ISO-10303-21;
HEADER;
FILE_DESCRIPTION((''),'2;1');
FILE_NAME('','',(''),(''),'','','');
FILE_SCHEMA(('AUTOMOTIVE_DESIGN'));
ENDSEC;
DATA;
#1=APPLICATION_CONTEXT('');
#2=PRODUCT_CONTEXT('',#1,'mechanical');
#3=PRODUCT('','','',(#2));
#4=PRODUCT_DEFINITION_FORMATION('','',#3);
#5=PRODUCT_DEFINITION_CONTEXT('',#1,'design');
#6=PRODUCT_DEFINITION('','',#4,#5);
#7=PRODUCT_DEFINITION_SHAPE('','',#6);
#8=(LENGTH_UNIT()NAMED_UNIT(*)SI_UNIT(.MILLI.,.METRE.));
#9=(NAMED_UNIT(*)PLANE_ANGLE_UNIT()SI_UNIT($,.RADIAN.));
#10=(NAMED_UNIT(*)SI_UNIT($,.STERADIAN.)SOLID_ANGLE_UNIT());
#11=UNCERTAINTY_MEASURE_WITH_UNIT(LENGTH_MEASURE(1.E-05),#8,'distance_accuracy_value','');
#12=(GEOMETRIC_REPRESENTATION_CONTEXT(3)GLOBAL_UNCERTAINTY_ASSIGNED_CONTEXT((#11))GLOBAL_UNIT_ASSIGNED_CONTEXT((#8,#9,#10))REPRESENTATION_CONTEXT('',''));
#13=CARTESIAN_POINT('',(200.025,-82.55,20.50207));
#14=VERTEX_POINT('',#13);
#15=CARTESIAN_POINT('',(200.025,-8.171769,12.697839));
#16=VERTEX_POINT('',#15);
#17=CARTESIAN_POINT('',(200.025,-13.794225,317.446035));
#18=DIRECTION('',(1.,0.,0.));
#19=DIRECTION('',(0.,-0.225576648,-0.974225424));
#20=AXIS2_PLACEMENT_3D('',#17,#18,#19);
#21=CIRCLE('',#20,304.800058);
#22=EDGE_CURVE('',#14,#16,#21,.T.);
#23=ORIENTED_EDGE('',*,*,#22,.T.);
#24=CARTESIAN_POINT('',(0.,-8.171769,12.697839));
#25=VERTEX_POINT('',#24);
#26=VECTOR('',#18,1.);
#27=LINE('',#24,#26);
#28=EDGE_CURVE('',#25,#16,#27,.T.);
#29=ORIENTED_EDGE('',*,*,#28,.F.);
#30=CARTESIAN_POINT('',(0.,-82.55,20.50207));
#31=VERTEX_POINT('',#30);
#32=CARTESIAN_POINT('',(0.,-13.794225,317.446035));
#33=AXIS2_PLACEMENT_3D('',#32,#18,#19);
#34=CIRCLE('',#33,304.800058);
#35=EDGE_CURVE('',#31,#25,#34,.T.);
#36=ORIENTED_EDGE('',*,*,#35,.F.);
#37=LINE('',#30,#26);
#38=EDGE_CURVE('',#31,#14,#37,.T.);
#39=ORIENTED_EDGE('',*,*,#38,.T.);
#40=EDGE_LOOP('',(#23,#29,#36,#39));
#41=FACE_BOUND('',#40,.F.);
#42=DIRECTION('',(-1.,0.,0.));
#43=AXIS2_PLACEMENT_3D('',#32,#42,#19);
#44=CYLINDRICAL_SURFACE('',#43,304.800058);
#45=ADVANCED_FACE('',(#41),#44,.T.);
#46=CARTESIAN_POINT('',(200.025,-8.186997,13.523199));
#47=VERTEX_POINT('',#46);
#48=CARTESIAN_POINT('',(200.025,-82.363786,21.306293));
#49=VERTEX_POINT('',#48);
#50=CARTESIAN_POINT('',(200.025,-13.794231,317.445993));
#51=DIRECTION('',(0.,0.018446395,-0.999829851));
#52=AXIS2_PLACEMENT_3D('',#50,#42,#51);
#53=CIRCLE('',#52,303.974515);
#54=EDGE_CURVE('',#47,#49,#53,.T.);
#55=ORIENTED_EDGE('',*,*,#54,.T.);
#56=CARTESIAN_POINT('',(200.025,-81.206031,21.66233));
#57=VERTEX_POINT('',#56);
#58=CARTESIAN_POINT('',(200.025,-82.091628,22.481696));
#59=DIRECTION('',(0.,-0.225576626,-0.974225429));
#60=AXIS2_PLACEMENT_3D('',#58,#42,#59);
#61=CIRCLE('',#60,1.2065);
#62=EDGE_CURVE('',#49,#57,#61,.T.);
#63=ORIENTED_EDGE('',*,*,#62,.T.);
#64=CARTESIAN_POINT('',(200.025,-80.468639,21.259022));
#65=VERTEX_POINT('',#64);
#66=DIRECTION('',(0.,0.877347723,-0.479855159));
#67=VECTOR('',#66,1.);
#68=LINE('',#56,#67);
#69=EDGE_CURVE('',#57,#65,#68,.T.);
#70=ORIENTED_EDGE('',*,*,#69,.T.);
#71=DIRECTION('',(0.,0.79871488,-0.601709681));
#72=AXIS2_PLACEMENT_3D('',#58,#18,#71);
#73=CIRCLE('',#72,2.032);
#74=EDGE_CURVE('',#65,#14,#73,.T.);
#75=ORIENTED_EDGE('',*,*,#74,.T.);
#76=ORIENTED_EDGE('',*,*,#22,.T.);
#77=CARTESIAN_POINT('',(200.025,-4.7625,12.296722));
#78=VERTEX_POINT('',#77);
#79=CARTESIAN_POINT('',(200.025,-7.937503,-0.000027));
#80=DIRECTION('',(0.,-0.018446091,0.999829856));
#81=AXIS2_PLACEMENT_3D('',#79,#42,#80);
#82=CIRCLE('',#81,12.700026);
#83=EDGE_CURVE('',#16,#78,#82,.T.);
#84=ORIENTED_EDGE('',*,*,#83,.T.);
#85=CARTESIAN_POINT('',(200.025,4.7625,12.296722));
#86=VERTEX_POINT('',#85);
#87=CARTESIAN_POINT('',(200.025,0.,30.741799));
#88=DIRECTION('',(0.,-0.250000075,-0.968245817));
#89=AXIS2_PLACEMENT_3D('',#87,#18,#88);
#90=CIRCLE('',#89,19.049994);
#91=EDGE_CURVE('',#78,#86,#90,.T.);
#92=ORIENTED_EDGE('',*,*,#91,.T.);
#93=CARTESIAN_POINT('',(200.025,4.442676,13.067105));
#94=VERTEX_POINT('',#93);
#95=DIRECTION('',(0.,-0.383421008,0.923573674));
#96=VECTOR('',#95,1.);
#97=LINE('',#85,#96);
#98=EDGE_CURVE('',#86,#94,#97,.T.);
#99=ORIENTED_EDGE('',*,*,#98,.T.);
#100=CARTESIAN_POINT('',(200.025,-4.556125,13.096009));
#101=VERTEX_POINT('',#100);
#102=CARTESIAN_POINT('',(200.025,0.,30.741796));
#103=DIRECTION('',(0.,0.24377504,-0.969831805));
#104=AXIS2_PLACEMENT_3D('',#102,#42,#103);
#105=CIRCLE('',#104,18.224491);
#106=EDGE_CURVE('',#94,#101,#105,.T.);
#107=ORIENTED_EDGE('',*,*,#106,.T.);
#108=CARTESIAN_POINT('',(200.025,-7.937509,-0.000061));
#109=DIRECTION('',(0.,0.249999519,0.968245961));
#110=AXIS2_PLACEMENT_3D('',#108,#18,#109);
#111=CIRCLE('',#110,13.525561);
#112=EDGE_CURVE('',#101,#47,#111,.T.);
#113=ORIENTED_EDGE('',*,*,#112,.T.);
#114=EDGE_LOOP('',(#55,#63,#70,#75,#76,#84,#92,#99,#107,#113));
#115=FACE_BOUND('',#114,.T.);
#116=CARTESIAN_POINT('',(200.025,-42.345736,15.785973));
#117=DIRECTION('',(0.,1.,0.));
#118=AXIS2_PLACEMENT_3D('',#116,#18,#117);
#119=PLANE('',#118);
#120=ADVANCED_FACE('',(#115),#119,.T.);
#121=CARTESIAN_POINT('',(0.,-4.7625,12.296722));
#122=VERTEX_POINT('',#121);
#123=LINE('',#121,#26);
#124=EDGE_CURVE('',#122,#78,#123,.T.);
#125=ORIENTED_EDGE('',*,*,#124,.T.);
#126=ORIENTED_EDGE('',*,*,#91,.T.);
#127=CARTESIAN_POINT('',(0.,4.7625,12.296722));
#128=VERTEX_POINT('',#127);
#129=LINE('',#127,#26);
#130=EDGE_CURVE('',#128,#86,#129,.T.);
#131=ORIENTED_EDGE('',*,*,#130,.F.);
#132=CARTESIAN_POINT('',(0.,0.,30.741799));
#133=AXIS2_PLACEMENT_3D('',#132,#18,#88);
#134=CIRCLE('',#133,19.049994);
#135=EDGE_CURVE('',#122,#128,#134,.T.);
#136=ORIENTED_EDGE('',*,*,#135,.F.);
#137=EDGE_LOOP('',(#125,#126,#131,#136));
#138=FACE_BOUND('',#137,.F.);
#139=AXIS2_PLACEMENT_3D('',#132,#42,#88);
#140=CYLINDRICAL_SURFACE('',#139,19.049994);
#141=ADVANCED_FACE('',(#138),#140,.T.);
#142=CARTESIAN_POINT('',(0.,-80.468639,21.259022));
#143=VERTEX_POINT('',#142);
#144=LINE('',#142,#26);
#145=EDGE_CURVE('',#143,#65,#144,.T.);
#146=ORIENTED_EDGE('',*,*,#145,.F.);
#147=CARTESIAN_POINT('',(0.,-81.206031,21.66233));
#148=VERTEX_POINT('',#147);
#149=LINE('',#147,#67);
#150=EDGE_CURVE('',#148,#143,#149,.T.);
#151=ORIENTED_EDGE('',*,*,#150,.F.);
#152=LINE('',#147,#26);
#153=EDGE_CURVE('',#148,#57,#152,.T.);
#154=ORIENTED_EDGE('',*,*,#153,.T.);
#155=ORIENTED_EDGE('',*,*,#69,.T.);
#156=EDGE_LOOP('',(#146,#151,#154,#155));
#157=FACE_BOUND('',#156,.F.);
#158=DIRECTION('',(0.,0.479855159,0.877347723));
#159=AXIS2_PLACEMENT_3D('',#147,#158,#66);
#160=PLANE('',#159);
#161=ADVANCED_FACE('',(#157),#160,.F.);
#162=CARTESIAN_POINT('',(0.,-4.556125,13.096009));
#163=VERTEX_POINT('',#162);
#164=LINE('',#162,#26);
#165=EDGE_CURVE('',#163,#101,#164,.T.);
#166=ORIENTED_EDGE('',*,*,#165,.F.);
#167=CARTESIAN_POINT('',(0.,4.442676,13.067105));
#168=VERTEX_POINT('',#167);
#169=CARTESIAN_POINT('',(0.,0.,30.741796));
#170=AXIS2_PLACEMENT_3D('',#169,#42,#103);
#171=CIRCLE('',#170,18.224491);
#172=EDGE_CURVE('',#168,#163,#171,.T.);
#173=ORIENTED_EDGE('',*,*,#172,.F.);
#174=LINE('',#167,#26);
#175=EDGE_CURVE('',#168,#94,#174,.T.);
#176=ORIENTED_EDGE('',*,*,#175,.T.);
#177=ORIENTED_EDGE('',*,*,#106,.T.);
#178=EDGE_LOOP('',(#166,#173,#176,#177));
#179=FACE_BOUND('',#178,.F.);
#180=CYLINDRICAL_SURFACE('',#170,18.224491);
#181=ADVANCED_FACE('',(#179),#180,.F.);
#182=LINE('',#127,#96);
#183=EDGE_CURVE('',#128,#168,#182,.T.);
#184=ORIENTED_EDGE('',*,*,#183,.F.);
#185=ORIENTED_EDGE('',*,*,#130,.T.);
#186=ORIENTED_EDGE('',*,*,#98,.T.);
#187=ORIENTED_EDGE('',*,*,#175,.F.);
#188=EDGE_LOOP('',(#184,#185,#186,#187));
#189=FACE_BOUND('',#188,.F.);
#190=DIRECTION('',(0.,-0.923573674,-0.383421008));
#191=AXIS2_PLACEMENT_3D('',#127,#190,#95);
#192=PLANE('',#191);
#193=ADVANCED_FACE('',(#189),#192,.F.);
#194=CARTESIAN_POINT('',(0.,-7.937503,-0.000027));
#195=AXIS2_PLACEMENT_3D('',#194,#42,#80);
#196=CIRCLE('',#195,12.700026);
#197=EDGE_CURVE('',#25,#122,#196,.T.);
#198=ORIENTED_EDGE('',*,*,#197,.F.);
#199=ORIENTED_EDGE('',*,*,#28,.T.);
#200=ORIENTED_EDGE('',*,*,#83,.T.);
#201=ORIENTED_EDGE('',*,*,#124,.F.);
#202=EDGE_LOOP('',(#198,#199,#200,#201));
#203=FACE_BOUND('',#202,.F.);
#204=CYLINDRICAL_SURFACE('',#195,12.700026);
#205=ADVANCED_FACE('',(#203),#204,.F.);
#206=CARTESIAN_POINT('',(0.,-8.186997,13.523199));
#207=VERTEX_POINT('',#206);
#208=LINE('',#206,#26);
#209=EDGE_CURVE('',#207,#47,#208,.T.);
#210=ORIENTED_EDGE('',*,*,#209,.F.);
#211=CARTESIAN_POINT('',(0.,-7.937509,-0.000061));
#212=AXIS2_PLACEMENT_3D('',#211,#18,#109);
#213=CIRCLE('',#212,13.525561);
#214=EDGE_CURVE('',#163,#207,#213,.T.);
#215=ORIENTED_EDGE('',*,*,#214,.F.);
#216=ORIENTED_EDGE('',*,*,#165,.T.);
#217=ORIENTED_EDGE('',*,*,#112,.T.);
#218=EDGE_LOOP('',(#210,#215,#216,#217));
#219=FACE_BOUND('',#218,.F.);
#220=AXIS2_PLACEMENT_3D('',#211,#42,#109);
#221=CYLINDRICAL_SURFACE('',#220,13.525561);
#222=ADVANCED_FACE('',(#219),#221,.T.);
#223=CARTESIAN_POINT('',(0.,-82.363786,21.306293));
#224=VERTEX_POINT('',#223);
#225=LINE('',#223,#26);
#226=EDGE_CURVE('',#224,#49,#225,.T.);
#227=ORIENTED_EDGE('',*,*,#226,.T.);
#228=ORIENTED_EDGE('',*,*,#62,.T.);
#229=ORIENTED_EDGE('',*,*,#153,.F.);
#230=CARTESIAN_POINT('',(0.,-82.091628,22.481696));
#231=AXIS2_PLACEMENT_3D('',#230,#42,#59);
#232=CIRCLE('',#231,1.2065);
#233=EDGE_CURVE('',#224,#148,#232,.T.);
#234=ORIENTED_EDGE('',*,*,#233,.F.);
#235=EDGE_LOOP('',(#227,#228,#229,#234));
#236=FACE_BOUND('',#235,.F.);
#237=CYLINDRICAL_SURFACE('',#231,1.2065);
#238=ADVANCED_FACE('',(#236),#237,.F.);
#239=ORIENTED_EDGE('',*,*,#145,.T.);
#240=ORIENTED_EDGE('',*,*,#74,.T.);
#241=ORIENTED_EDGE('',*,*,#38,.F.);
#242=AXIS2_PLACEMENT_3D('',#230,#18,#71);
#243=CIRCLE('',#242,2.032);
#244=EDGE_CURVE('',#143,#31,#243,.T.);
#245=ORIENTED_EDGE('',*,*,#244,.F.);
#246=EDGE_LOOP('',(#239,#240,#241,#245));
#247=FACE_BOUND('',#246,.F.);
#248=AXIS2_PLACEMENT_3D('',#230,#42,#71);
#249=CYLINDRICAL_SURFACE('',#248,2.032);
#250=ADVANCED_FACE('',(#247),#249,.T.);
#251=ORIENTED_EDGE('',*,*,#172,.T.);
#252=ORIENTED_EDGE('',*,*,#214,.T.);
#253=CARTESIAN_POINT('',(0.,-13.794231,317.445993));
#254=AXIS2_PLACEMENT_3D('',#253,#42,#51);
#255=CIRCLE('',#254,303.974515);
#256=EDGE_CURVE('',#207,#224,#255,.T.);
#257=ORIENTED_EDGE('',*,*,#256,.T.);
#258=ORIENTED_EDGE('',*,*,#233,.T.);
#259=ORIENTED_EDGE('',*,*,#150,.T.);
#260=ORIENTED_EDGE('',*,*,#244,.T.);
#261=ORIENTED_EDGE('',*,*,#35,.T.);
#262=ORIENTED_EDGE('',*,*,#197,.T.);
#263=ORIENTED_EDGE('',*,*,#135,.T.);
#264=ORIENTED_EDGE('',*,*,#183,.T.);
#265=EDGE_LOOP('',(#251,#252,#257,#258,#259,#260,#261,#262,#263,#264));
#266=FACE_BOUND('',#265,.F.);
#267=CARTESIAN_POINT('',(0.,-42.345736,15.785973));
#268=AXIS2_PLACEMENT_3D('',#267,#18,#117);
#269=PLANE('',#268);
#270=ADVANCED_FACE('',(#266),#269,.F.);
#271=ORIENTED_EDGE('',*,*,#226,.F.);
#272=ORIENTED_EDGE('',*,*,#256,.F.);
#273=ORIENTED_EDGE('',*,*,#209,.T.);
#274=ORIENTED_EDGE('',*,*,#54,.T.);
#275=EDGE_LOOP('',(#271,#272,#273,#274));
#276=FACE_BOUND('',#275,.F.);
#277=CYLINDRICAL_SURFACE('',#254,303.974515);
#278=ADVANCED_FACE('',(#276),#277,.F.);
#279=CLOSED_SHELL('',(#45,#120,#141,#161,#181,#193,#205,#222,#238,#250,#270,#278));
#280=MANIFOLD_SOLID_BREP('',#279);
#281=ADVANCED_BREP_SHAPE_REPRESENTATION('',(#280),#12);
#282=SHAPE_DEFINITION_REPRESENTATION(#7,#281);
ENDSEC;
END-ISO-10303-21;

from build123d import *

# Parameters (mm, degrees)
F1_DEPTH = 200.025


with BuildPart() as f1:
    # F0 (on Right) → F1 (new body)
    with BuildSketch(Plane.YZ):
        with BuildLine():
            ThreePointArc((-8.171769, 12.697839), (-6.45352, 12.613001), (-4.7625, 12.296722))
            ThreePointArc((-4.7625, 12.296722), (0, 11.691805), (4.7625, 12.296722))
            Line((4.7625, 12.296722), (4.442676, 13.067105))
            ThreePointArc((4.442676, 13.067105), (-0.058537, 12.517399), (-4.556125, 13.096009))
            ThreePointArc((-4.556125, 13.096009), (-6.357061, 13.432846), (-8.186997, 13.523199))
            ThreePointArc((-8.186997, 13.523199), (-45.515007, 15.131094), (-82.363786, 21.306293))
            ThreePointArc((-82.363786, 21.306293), (-82.446265, 23.634898), (-81.206031, 21.66233))
            Line((-81.206031, 21.66233), (-80.468639, 21.259022))
            ThreePointArc((-80.468639, 21.259022), (-82.786126, 24.391329), (-82.55, 20.50207))
            ThreePointArc((-82.55, 20.50207), (-45.60115, 14.310101), (-8.171769, 12.697839))
        make_face()
    extrude(amount=F1_DEPTH)


solid = f1.part
